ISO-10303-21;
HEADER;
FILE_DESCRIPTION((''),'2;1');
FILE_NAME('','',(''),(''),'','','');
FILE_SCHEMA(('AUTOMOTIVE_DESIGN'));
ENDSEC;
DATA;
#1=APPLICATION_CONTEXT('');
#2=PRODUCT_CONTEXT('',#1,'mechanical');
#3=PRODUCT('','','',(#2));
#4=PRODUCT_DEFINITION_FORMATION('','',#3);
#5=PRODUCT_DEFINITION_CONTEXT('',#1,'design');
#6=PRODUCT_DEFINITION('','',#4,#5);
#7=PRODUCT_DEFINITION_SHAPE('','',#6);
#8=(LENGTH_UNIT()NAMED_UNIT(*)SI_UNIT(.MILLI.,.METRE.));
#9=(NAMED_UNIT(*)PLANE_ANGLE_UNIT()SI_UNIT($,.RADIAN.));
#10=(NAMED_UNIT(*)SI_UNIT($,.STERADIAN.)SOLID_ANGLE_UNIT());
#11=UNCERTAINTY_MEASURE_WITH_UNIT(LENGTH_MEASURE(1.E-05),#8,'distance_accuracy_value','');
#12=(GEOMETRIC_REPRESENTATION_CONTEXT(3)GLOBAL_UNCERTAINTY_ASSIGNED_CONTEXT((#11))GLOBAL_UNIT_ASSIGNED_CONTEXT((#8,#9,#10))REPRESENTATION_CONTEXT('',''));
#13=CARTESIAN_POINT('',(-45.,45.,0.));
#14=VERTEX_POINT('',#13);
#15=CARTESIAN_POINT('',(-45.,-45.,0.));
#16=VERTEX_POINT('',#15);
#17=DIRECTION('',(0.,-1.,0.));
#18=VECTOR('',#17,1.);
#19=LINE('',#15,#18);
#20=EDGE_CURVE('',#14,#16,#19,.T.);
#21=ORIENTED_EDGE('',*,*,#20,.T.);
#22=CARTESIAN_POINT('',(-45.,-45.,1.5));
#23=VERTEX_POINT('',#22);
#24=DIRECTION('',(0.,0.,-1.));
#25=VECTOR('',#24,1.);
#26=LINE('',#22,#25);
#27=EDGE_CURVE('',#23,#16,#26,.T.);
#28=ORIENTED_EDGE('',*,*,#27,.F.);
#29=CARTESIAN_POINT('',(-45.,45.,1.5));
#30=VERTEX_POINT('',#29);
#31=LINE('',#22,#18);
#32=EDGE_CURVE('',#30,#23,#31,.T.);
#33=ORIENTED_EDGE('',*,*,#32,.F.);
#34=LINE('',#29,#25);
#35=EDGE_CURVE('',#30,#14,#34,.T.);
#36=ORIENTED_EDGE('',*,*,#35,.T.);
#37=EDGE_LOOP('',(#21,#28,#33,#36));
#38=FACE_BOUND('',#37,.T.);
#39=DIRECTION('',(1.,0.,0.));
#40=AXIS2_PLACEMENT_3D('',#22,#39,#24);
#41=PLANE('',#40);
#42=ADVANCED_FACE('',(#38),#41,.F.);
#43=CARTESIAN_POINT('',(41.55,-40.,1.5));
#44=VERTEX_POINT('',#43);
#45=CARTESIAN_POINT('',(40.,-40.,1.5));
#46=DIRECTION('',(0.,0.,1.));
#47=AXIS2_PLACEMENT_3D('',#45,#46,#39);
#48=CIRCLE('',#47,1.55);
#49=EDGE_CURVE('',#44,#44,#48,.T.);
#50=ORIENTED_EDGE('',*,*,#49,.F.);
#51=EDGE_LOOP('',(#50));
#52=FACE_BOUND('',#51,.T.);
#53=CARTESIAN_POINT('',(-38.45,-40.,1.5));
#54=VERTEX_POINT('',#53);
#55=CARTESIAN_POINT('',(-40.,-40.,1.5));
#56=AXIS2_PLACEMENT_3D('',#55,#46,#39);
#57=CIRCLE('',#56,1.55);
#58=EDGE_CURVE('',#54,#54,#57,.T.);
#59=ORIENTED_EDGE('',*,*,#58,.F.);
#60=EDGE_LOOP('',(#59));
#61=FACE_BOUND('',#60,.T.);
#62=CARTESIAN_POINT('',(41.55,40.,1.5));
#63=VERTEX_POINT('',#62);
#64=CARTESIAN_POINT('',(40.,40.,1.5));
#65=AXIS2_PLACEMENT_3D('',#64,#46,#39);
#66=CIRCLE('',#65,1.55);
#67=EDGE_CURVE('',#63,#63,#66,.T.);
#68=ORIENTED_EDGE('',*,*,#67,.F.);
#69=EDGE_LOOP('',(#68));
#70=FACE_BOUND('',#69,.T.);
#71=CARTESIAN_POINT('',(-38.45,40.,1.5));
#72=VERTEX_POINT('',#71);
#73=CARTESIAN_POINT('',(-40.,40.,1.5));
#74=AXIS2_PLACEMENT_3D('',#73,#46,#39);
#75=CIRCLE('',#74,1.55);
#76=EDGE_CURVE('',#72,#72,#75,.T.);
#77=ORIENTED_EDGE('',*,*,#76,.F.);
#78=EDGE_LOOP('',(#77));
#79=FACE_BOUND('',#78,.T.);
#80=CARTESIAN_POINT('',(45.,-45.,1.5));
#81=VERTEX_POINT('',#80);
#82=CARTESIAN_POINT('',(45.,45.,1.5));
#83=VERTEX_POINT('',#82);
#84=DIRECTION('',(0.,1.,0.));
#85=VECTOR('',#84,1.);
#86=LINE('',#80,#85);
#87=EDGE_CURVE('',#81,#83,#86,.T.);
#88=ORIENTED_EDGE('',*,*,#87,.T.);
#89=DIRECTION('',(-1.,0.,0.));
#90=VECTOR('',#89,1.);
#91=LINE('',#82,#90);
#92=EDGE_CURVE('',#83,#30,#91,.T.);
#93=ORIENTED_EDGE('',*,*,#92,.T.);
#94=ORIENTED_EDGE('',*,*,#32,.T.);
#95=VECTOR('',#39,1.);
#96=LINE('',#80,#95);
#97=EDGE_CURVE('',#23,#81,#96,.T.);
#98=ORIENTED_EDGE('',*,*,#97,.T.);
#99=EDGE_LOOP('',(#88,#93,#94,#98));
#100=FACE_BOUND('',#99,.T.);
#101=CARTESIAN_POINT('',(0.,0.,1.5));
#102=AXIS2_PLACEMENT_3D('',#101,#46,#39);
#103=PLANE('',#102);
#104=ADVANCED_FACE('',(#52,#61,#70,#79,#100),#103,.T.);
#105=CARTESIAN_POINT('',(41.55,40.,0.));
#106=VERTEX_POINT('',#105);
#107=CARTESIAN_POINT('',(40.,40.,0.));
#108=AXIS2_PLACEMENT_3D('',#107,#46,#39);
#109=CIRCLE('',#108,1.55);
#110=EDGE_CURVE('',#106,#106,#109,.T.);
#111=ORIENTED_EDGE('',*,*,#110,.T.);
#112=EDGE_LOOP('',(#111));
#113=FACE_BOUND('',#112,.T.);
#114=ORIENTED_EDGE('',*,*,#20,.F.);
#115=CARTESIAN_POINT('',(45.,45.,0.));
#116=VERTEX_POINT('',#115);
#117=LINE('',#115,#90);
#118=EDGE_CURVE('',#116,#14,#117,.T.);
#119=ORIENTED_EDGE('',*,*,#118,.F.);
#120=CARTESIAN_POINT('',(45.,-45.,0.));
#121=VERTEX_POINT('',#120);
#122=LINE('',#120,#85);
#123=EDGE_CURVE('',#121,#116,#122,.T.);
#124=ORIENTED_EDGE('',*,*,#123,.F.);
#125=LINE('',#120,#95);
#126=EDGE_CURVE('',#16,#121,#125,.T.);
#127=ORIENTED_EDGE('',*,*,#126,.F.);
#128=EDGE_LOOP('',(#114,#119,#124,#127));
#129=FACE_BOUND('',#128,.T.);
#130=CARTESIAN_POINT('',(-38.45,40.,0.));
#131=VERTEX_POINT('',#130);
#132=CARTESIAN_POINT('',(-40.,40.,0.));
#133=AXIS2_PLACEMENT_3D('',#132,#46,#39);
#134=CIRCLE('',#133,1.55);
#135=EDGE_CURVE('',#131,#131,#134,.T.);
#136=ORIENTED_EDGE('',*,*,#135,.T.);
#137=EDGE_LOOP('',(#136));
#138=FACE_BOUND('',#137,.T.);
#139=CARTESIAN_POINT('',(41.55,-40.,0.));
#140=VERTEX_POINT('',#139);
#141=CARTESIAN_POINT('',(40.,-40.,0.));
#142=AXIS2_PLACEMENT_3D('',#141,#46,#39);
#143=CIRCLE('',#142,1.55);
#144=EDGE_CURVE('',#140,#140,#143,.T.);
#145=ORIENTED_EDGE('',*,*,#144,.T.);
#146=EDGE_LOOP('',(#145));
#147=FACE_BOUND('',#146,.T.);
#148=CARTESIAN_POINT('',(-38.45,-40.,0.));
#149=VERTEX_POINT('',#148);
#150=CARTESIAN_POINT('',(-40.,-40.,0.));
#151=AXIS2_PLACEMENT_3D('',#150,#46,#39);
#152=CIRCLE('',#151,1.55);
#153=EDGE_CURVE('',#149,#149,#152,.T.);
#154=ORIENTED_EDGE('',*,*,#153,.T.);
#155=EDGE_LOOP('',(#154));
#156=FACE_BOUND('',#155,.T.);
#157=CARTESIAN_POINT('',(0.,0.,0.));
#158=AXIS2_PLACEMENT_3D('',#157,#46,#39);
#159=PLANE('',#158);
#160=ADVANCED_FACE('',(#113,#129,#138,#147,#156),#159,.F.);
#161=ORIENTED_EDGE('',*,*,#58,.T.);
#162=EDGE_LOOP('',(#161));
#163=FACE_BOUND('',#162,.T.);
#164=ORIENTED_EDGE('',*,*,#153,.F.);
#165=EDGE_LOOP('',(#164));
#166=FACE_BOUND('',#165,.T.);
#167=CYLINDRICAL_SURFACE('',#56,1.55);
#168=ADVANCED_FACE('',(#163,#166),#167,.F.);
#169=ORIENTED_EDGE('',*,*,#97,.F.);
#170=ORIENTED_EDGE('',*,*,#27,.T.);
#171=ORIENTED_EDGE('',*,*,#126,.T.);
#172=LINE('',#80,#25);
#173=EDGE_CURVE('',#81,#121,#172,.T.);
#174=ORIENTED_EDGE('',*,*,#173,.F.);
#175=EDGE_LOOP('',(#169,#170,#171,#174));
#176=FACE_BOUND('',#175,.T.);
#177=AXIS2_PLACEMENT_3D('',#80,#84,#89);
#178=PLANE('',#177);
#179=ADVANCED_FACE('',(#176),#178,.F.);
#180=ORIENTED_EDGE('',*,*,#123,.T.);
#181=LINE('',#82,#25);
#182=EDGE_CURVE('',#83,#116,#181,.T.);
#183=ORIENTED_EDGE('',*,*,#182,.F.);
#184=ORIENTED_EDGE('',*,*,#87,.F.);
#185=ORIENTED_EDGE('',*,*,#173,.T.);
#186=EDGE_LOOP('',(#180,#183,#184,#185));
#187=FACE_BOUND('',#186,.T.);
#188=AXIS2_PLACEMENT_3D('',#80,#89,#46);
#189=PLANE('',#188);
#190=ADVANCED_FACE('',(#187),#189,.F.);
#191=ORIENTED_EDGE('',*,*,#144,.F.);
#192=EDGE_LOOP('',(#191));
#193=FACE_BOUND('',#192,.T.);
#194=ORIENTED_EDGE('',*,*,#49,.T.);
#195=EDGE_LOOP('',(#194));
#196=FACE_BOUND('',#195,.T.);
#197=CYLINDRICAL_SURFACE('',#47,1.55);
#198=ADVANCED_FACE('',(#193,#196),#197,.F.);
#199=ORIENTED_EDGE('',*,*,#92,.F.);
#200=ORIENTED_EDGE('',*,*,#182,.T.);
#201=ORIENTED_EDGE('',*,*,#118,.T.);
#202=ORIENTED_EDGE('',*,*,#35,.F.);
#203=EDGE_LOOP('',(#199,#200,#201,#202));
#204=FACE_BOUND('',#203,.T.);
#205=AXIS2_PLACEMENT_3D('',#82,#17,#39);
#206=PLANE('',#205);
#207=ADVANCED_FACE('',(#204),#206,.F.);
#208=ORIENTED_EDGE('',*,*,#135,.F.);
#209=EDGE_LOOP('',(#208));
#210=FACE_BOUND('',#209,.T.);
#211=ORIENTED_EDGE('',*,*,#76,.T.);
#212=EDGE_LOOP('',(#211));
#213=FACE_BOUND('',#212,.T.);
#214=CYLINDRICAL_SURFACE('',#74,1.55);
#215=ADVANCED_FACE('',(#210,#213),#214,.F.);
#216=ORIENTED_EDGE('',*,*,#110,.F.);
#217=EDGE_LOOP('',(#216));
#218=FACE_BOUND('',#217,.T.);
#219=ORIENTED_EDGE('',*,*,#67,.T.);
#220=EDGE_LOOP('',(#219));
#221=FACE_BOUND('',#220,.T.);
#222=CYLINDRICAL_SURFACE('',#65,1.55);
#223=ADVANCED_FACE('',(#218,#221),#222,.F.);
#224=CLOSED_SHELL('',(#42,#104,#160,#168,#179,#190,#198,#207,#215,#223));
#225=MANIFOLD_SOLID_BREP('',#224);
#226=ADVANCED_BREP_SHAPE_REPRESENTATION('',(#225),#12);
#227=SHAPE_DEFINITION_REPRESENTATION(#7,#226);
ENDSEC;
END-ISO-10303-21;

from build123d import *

# Parameters (mm, degrees)
SKETCH1_W                  = 90
SKETCH1_H                  = 90
BOSS_EXTRUDE1_DEPTH        = 1.5
F_3_1_3_1_DIAMETER_HOLE1_D = 3.1


with BuildPart() as part:
    # Sketch1 → Boss-Extrude1 (new body)
    with BuildSketch(Plane.XY):
        Rectangle(SKETCH1_W, SKETCH1_H)
    extrude(amount=BOSS_EXTRUDE1_DEPTH)

    # Ø3.1 (3.1) Diameter Hole1 (through all)
    with Locations(Plane.XY.offset(1.5)):
        with Locations((-40, 40), (40, 40), (40, -40), (-40, -40)):
            Hole(F_3_1_3_1_DIAMETER_HOLE1_D / 2)


solid = part.part
